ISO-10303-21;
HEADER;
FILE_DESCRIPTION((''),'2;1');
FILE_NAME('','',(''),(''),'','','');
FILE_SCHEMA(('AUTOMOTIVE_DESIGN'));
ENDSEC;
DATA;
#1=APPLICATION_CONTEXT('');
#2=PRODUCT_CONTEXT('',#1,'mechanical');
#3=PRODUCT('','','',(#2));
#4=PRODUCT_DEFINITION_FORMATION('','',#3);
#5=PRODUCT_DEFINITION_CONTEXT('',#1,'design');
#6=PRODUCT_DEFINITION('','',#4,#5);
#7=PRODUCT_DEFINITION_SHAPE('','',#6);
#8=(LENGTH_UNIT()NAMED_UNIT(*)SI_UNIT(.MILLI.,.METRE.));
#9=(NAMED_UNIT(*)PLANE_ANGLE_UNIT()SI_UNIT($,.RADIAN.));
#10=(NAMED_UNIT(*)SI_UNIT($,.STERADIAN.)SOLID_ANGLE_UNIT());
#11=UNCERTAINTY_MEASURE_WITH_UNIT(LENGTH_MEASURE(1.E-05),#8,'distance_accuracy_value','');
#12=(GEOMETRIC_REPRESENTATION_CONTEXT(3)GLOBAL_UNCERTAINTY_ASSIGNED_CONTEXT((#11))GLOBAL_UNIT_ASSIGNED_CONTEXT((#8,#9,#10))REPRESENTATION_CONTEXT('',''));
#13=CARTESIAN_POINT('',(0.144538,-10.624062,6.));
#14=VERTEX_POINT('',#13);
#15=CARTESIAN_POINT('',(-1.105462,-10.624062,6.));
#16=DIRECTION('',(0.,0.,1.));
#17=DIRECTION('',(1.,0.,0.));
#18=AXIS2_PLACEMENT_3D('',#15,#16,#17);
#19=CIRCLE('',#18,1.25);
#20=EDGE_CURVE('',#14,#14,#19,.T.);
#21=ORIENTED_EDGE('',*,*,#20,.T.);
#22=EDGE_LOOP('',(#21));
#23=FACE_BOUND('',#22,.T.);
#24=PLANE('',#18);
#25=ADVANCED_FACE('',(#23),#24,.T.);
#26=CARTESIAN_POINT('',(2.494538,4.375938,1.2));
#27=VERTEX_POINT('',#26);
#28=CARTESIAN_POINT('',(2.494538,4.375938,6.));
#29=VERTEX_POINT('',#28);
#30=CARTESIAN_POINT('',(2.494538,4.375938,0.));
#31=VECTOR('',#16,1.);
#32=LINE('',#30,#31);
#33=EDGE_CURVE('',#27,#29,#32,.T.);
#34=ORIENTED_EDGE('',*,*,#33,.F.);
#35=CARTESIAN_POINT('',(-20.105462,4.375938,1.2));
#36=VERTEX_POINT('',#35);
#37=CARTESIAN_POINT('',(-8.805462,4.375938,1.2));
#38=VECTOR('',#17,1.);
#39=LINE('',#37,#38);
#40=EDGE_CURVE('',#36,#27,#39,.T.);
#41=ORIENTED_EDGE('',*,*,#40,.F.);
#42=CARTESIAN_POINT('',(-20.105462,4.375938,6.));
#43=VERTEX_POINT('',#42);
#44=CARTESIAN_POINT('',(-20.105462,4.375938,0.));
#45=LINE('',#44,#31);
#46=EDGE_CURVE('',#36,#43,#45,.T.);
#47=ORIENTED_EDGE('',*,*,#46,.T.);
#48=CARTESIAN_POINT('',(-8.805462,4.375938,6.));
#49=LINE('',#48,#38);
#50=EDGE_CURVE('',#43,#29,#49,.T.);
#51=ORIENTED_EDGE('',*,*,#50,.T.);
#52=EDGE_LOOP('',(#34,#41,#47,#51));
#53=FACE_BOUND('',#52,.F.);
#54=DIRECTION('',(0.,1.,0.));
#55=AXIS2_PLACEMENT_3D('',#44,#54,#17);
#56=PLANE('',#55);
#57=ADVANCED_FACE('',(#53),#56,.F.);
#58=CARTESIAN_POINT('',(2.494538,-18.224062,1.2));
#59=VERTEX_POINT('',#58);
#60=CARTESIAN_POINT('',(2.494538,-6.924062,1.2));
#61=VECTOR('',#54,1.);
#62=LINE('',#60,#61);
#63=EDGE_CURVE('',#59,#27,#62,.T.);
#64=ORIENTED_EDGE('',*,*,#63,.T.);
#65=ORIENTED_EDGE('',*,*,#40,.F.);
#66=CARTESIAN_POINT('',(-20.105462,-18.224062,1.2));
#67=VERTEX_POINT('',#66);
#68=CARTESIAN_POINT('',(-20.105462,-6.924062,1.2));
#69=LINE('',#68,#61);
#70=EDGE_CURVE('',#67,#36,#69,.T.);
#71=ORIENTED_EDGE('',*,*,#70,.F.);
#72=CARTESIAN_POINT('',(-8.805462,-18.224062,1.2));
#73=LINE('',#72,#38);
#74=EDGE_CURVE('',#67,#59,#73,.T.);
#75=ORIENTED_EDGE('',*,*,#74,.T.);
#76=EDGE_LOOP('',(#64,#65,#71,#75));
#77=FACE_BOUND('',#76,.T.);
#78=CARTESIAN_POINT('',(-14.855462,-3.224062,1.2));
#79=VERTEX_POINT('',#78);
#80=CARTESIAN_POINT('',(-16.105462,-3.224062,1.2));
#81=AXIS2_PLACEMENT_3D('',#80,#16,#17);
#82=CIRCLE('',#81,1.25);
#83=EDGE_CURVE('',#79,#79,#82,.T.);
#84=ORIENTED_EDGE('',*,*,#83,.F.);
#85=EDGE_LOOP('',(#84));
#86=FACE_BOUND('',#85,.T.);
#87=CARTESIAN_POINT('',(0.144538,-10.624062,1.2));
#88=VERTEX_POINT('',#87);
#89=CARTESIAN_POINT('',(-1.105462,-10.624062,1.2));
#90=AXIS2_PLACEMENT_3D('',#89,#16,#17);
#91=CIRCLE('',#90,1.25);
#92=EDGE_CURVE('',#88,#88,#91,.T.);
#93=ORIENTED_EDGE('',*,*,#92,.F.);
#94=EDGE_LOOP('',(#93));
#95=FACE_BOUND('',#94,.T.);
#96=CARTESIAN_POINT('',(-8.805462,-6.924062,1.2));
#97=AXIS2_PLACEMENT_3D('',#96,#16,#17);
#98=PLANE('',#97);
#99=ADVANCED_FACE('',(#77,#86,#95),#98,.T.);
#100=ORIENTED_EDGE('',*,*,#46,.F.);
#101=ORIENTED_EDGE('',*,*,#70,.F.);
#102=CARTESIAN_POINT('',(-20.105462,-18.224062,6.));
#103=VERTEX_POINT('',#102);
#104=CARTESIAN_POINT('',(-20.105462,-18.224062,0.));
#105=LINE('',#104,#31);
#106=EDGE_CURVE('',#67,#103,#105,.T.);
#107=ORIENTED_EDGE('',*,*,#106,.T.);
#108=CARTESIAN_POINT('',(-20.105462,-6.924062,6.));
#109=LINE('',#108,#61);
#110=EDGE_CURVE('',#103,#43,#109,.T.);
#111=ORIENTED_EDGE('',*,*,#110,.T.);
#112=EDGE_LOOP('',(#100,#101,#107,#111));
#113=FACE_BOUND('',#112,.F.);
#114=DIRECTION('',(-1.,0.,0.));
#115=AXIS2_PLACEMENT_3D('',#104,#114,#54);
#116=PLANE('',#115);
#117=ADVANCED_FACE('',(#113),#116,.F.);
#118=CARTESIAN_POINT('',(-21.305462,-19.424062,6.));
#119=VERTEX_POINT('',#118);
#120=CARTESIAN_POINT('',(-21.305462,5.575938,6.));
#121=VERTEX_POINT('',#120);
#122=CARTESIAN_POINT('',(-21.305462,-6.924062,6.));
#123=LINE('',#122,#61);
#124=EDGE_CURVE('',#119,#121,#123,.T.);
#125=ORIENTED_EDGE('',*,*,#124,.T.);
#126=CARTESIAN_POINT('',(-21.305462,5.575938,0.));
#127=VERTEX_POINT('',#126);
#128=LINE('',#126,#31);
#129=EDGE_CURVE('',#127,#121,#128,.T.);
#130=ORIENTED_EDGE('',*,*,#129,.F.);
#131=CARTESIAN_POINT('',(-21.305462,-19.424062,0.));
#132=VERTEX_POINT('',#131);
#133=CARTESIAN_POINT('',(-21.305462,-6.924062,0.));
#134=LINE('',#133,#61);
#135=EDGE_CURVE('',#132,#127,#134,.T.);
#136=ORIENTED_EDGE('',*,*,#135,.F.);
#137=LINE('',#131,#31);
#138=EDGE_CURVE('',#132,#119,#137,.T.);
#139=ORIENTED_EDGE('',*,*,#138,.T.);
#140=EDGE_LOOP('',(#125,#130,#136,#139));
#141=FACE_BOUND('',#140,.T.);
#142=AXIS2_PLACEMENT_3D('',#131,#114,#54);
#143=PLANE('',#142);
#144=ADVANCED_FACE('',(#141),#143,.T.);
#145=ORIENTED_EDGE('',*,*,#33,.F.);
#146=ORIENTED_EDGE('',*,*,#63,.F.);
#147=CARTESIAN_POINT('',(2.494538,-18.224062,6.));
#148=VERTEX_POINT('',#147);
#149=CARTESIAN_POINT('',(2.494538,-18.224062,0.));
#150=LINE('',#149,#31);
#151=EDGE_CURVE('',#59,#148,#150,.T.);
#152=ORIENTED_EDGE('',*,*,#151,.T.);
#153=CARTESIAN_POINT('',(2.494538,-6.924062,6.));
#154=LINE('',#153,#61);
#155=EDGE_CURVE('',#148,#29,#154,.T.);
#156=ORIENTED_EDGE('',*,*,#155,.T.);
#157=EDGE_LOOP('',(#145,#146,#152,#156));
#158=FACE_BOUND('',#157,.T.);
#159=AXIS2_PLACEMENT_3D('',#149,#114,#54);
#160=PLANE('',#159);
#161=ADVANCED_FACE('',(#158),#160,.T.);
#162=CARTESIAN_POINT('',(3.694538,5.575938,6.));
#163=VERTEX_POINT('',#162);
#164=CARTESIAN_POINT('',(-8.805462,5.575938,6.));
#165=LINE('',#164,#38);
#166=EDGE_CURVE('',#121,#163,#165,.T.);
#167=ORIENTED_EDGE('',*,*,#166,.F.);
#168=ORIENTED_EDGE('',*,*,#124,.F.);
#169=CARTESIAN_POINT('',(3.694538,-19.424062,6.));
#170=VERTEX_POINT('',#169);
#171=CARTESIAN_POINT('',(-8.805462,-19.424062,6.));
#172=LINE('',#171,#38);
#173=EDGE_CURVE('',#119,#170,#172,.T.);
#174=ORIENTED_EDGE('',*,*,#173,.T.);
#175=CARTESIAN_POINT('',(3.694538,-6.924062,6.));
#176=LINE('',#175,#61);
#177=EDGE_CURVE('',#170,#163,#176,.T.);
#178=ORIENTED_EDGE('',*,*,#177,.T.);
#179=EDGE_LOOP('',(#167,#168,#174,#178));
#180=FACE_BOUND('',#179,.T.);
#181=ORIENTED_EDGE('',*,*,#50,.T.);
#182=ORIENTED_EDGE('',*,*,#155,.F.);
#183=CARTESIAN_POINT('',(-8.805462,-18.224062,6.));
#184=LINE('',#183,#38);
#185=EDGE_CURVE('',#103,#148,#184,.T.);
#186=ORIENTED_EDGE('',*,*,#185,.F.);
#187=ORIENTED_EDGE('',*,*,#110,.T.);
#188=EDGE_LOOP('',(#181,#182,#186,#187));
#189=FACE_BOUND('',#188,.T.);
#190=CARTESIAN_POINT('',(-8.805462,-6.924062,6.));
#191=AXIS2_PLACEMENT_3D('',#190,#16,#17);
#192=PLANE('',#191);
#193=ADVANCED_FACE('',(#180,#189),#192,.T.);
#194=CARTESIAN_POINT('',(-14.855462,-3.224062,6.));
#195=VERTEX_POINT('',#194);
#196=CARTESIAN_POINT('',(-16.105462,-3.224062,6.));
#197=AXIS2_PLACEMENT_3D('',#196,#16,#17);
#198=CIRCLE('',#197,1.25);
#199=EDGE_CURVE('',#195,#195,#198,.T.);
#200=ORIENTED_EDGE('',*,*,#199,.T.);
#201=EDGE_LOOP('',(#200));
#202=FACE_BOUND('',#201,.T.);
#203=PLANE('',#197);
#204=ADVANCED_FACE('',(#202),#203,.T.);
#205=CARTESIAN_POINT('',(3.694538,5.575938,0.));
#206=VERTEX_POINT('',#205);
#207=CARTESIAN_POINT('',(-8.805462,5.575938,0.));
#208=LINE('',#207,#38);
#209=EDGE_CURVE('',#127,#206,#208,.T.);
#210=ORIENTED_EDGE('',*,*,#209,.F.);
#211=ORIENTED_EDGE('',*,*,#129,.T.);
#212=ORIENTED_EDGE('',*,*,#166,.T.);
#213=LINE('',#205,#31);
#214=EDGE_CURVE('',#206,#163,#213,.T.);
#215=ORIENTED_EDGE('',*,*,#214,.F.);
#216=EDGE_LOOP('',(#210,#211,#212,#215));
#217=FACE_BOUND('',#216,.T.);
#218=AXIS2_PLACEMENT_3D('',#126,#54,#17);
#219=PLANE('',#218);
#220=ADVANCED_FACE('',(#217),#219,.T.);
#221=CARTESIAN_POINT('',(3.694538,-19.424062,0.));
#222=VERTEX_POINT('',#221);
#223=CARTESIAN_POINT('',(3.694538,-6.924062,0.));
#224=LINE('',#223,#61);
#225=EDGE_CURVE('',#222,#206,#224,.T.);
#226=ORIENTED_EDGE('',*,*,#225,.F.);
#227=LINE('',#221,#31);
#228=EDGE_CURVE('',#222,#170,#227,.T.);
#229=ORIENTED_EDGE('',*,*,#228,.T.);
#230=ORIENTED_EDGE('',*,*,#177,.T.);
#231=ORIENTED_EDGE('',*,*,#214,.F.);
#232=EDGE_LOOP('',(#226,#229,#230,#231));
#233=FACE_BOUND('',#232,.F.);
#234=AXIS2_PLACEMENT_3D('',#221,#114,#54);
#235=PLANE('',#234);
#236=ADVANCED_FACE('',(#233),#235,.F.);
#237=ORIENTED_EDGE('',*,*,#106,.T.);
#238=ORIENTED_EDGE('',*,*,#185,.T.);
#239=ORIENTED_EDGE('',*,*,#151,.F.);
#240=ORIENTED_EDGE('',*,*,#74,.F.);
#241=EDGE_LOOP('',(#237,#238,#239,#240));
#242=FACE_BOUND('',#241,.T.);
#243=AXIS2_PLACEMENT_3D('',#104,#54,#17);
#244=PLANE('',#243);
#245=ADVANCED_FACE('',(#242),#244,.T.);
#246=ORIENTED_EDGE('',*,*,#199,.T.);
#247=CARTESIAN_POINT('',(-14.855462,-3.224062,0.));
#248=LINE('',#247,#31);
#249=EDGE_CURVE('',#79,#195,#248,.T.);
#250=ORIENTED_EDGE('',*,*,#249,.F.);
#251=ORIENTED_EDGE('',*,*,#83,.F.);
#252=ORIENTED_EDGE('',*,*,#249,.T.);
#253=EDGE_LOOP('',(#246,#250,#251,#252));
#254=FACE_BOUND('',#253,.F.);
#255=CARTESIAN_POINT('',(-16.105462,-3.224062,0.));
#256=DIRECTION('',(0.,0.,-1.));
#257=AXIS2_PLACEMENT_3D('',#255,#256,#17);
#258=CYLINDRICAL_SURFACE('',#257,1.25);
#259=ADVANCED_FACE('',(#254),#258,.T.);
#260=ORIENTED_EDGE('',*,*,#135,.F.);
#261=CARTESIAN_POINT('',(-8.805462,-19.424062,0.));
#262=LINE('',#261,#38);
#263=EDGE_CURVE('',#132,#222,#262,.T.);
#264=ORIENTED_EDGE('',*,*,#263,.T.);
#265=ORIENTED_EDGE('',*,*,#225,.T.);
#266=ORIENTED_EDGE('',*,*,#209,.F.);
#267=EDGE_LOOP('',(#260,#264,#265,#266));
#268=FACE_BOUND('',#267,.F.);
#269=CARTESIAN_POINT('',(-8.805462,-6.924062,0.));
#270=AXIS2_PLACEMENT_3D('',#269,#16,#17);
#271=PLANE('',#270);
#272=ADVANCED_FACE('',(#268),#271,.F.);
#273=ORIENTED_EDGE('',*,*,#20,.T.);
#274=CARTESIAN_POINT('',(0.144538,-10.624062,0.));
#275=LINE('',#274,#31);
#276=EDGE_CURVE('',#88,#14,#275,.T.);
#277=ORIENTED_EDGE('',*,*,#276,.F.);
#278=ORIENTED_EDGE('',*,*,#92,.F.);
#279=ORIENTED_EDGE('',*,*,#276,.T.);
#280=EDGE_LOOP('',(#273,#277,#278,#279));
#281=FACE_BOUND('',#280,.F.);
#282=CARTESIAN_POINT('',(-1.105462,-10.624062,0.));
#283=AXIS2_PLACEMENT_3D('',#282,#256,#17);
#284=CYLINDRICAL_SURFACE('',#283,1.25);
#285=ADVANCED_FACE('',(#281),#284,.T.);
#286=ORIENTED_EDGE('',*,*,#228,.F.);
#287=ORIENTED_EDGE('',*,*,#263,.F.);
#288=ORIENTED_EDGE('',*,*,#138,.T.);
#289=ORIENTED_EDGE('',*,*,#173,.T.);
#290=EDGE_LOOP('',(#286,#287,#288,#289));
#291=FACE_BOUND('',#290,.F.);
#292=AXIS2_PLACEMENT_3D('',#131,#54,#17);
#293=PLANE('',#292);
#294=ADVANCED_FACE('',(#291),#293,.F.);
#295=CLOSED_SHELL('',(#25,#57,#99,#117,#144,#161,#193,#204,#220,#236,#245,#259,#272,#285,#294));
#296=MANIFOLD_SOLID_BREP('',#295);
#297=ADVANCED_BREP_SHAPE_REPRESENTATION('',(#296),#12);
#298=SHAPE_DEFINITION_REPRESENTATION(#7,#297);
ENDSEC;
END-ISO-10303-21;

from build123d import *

# Parameters (mm, degrees)
F0_W     = 22.6
F0_H     = 22.6
F0_R     = 1.25
F1_DEPTH = 1.2
F0_W_2   = 25
F0_H_2   = 25
F2_DEPTH = 6


with BuildPart() as f1:
    # F0 (on Top) → F1 (new body)
    with BuildSketch(Plane.XY):
        with Locations((-8.805462, -6.924062)):
            Rectangle(F0_W, F0_H)
        with Locations((-1.105462, -10.624062)):
            Circle(F0_R, mode=Mode.SUBTRACT)
        with Locations((-16.105462, -3.224062)):
            Circle(F0_R, mode=Mode.SUBTRACT)
    extrude(amount=F1_DEPTH)

    # F0 (on Top) → F2 (join)
    with BuildSketch(Plane.XY):
        with Locations((-8.805462, -6.924062)):
            Rectangle(F0_W_2, F0_H_2)
        with Locations((-8.805462, -6.924062)):
            Rectangle(F0_W, F0_H, mode=Mode.SUBTRACT)
        with Locations((-16.105462, -3.224062)):
            Circle(F0_R)
        with Locations((-1.105462, -10.624062)):
            Circle(F0_R)
    extrude(amount=F2_DEPTH)


solid = f1.part
